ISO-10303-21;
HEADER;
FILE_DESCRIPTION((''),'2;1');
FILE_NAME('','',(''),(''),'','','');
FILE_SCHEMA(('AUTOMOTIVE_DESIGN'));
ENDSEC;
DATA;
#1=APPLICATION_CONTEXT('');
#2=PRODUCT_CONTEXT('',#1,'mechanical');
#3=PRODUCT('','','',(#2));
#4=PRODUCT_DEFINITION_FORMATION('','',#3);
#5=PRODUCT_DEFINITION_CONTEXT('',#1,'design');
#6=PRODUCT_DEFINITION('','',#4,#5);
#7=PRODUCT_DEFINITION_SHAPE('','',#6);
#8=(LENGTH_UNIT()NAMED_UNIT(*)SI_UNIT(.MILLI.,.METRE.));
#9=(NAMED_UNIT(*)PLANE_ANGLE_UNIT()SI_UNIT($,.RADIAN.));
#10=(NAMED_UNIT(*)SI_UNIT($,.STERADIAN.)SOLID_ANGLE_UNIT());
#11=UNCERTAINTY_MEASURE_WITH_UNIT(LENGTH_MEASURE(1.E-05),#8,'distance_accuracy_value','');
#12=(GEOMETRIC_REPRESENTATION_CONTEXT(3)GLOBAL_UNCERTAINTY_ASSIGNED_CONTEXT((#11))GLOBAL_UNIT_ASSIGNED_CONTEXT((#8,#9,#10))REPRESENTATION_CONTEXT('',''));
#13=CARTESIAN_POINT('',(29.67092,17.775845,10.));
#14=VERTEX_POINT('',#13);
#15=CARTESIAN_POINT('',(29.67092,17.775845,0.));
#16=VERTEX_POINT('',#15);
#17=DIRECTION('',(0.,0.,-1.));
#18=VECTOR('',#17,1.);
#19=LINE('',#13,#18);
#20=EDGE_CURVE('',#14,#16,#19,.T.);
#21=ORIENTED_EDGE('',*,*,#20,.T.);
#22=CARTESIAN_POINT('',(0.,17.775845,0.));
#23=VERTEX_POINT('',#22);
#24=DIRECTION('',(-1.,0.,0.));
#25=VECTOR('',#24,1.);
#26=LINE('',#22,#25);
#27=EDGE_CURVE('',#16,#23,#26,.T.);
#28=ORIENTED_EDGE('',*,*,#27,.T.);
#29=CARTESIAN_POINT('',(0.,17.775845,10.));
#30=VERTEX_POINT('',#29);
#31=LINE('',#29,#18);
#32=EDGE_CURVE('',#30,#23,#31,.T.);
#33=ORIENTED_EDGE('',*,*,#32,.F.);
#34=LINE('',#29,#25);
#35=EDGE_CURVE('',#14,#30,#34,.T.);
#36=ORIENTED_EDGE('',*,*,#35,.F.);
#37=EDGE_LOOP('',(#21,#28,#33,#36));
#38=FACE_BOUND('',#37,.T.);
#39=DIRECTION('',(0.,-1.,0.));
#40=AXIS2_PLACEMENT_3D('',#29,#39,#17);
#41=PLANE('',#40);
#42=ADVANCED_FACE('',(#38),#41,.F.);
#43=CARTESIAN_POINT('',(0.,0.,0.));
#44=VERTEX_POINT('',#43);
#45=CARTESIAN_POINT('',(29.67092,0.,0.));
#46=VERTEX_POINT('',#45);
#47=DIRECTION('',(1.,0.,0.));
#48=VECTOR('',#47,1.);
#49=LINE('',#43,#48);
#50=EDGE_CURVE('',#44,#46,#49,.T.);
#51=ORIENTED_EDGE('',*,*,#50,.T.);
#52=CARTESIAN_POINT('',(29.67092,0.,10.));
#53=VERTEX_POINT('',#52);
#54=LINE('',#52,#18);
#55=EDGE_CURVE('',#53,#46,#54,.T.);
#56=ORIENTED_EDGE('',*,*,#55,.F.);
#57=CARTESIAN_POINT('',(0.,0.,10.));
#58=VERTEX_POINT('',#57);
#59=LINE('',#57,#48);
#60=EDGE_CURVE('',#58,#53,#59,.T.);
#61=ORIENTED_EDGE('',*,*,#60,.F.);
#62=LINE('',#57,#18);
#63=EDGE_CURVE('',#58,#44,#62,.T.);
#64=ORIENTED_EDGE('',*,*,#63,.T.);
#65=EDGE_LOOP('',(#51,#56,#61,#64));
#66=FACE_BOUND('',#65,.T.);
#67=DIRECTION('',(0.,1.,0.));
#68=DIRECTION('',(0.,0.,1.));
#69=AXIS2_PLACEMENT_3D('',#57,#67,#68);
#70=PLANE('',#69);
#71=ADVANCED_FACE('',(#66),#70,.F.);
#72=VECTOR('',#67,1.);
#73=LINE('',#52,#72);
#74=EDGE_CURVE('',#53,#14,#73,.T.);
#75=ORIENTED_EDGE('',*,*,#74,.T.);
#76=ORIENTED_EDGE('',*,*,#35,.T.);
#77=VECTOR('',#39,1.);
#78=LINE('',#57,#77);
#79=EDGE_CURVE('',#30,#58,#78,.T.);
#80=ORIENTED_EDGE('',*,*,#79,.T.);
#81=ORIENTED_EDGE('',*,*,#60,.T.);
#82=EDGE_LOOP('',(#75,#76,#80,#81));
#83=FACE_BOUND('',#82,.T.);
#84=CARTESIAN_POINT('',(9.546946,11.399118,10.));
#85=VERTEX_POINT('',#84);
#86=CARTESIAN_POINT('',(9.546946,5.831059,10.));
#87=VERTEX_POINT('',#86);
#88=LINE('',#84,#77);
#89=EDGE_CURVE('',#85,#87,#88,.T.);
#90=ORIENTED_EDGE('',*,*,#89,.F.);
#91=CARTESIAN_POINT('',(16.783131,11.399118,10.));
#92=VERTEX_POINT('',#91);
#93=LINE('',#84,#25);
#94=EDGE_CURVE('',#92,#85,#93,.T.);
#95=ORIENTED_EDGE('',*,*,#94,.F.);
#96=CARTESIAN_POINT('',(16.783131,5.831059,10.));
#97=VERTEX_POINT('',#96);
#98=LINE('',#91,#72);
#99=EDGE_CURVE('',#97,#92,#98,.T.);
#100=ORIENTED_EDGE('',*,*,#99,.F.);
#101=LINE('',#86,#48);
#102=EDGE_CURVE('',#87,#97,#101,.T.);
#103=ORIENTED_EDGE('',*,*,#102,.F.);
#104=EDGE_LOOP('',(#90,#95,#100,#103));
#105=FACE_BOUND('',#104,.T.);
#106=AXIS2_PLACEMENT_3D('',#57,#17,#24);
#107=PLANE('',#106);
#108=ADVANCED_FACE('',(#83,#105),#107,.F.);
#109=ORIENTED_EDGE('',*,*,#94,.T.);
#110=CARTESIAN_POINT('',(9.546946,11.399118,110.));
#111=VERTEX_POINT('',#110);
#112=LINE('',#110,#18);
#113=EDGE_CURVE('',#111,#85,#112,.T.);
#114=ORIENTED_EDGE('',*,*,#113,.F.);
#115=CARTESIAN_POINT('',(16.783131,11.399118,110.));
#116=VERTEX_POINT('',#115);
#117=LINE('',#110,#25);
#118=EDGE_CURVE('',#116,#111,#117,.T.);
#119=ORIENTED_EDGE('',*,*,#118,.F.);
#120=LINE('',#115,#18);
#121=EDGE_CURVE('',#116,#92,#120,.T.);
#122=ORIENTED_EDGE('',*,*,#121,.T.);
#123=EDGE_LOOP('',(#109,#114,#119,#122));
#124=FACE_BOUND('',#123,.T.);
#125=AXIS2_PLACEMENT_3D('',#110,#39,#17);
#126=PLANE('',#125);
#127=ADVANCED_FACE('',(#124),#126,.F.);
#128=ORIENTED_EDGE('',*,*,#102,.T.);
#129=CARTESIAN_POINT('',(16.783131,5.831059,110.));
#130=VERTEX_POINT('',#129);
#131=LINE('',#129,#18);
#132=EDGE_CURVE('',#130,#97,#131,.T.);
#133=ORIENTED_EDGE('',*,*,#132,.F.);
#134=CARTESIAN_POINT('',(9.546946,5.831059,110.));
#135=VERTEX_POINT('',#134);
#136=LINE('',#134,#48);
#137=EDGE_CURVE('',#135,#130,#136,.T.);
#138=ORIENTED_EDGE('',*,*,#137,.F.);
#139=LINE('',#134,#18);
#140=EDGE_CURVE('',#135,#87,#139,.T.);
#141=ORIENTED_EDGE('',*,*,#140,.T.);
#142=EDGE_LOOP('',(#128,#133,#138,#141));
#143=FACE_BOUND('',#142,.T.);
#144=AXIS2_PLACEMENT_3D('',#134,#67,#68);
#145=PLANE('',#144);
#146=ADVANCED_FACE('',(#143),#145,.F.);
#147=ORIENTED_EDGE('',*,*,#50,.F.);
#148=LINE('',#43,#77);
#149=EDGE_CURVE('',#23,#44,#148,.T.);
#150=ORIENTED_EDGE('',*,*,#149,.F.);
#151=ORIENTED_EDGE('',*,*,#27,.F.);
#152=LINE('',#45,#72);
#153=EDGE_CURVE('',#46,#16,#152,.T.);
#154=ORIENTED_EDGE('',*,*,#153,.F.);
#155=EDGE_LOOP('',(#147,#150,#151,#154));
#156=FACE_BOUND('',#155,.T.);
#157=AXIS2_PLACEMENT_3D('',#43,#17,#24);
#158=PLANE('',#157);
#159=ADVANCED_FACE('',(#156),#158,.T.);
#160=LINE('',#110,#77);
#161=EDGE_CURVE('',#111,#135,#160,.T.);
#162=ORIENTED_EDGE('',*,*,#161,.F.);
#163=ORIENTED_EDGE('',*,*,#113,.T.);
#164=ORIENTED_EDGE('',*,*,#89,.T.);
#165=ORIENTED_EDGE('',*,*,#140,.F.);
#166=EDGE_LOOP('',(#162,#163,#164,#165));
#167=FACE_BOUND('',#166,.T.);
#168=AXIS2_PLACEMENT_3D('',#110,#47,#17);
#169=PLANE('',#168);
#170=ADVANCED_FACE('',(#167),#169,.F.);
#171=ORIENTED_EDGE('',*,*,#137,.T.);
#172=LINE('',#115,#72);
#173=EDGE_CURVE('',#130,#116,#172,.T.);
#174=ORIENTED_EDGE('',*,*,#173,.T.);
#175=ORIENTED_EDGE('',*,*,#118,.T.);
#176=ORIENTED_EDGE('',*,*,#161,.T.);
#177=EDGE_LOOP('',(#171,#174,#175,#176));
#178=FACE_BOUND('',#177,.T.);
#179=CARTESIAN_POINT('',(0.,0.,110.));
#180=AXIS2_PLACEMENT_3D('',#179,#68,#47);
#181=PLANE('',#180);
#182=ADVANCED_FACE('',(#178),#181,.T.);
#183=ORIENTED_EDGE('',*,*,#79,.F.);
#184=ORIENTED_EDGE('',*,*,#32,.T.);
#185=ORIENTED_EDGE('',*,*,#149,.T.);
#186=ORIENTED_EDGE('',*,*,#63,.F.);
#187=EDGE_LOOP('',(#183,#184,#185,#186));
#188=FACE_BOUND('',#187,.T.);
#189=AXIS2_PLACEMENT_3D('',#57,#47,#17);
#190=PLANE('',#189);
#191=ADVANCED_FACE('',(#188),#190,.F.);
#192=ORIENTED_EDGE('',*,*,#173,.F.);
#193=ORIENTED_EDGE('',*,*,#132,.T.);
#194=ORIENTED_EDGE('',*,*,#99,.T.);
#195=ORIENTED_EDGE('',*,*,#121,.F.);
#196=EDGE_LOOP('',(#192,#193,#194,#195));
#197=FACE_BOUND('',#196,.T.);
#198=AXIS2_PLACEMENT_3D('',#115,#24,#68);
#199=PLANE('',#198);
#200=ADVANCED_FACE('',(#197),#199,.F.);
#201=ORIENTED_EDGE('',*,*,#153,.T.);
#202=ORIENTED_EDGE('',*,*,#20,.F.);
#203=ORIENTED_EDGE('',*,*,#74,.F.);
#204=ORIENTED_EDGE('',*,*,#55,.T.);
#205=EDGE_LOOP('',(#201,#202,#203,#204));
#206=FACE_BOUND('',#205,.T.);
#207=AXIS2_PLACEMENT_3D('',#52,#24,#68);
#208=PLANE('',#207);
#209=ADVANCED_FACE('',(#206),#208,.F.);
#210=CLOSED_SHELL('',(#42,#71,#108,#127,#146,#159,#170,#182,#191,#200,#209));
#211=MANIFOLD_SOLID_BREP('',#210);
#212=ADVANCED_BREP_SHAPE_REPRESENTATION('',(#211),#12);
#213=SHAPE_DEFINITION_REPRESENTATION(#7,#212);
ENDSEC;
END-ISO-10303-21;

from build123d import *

# Parameters (mm, degrees)
SKETCH_1_W      = 29.670919937
SKETCH_1_H      = 17.775845147
EXTRUDE_1_DEPTH = 10
SKETCH_2_W      = 7.236184278
SKETCH_2_H      = 5.568058893
EXTRUDE_3_DEPTH = 100


with BuildPart() as part:
    # 草圖1 → 填料-伸長1 (new body)
    with BuildSketch(Plane.XY):
        with Locations((14.835459969, 8.887922574)):
            Rectangle(SKETCH_1_W, SKETCH_1_H)
    extrude(amount=EXTRUDE_1_DEPTH)

    # 草圖2 → 填料-伸長3 (add)
    with BuildSketch(Plane.XY.offset(10)):
        with Locations((13.165038439, 8.615088056)):
            Rectangle(SKETCH_2_W, SKETCH_2_H)
    extrude(amount=EXTRUDE_3_DEPTH)


solid = part.part
